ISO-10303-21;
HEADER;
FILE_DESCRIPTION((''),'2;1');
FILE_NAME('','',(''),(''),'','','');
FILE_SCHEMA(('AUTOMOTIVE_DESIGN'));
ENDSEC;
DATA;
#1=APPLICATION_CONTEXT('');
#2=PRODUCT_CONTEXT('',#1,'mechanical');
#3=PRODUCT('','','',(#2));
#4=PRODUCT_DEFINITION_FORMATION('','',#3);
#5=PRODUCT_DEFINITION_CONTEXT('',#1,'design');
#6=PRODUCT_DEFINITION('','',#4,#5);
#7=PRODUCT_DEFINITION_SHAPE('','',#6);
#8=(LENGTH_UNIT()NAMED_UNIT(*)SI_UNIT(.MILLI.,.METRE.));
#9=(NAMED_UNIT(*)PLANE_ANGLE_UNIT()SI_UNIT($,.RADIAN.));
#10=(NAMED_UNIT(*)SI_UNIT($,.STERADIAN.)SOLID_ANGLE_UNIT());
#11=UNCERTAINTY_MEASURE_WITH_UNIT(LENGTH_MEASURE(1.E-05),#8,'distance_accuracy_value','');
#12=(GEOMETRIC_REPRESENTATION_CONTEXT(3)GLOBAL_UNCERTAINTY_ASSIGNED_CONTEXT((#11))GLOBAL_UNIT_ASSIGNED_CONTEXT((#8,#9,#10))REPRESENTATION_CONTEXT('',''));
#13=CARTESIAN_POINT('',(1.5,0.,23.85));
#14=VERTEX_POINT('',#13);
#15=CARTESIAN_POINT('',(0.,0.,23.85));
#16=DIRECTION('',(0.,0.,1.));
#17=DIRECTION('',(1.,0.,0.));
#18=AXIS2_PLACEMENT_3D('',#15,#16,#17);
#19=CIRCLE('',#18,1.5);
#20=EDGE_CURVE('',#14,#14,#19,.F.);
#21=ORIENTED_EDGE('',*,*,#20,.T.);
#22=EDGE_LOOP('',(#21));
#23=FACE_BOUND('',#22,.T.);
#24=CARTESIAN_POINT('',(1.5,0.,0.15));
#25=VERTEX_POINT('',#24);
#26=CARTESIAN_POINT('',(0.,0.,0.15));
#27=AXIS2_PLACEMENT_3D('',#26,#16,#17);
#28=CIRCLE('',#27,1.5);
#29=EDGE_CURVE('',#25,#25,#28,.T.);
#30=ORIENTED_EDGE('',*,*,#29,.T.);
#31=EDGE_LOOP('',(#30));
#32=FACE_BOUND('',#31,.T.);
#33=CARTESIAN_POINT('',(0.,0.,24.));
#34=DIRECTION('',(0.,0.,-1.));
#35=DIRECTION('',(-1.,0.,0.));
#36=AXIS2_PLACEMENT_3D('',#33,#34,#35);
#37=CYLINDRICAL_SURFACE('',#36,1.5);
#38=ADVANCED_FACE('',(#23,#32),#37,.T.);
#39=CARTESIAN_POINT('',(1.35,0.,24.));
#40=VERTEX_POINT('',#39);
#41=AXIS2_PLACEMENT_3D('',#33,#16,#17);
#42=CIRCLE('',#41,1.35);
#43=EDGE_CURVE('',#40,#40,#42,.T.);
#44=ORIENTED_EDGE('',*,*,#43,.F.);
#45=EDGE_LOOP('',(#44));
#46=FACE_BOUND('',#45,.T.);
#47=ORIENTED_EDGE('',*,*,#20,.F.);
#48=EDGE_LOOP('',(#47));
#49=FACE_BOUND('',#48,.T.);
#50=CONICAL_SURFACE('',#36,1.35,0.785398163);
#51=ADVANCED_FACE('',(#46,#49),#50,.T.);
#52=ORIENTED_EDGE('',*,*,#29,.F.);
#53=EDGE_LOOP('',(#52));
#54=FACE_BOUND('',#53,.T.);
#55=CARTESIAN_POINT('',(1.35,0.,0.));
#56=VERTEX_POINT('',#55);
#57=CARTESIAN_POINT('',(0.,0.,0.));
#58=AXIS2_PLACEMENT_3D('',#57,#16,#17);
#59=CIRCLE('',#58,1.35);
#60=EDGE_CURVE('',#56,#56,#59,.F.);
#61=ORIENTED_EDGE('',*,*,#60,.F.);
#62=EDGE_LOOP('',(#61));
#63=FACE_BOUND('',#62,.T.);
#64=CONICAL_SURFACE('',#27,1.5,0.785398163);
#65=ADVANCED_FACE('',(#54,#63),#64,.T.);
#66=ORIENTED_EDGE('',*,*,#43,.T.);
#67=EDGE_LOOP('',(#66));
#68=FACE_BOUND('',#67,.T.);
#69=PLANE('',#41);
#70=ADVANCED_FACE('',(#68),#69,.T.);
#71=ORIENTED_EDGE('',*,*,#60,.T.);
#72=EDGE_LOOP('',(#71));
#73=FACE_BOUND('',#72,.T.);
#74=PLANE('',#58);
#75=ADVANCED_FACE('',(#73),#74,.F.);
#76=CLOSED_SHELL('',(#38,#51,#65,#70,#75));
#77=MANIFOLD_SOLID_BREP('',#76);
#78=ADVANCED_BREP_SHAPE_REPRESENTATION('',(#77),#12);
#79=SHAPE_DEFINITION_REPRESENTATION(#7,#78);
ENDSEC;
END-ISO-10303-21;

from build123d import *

# Parameters (mm, degrees)
SKETCH2_R           = 1.5
BOSS_EXTRUDE1_DEPTH = 24
CHAMFER1_SIZE       = 0.15


with BuildPart() as part:
    # Sketch2 → Boss-Extrude1 (new body)
    with BuildSketch(Plane.XY):
        Circle(SKETCH2_R)
    extrude(amount=BOSS_EXTRUDE1_DEPTH)

    # Chamfer1
    chamfer1_edges = [part.edges().sort_by_distance(p)[0] for p in [
        (-1.5, 0, 0),
        (-1.5, 0, 24),
    ]]
    chamfer(chamfer1_edges, length=CHAMFER1_SIZE)


solid = part.part
